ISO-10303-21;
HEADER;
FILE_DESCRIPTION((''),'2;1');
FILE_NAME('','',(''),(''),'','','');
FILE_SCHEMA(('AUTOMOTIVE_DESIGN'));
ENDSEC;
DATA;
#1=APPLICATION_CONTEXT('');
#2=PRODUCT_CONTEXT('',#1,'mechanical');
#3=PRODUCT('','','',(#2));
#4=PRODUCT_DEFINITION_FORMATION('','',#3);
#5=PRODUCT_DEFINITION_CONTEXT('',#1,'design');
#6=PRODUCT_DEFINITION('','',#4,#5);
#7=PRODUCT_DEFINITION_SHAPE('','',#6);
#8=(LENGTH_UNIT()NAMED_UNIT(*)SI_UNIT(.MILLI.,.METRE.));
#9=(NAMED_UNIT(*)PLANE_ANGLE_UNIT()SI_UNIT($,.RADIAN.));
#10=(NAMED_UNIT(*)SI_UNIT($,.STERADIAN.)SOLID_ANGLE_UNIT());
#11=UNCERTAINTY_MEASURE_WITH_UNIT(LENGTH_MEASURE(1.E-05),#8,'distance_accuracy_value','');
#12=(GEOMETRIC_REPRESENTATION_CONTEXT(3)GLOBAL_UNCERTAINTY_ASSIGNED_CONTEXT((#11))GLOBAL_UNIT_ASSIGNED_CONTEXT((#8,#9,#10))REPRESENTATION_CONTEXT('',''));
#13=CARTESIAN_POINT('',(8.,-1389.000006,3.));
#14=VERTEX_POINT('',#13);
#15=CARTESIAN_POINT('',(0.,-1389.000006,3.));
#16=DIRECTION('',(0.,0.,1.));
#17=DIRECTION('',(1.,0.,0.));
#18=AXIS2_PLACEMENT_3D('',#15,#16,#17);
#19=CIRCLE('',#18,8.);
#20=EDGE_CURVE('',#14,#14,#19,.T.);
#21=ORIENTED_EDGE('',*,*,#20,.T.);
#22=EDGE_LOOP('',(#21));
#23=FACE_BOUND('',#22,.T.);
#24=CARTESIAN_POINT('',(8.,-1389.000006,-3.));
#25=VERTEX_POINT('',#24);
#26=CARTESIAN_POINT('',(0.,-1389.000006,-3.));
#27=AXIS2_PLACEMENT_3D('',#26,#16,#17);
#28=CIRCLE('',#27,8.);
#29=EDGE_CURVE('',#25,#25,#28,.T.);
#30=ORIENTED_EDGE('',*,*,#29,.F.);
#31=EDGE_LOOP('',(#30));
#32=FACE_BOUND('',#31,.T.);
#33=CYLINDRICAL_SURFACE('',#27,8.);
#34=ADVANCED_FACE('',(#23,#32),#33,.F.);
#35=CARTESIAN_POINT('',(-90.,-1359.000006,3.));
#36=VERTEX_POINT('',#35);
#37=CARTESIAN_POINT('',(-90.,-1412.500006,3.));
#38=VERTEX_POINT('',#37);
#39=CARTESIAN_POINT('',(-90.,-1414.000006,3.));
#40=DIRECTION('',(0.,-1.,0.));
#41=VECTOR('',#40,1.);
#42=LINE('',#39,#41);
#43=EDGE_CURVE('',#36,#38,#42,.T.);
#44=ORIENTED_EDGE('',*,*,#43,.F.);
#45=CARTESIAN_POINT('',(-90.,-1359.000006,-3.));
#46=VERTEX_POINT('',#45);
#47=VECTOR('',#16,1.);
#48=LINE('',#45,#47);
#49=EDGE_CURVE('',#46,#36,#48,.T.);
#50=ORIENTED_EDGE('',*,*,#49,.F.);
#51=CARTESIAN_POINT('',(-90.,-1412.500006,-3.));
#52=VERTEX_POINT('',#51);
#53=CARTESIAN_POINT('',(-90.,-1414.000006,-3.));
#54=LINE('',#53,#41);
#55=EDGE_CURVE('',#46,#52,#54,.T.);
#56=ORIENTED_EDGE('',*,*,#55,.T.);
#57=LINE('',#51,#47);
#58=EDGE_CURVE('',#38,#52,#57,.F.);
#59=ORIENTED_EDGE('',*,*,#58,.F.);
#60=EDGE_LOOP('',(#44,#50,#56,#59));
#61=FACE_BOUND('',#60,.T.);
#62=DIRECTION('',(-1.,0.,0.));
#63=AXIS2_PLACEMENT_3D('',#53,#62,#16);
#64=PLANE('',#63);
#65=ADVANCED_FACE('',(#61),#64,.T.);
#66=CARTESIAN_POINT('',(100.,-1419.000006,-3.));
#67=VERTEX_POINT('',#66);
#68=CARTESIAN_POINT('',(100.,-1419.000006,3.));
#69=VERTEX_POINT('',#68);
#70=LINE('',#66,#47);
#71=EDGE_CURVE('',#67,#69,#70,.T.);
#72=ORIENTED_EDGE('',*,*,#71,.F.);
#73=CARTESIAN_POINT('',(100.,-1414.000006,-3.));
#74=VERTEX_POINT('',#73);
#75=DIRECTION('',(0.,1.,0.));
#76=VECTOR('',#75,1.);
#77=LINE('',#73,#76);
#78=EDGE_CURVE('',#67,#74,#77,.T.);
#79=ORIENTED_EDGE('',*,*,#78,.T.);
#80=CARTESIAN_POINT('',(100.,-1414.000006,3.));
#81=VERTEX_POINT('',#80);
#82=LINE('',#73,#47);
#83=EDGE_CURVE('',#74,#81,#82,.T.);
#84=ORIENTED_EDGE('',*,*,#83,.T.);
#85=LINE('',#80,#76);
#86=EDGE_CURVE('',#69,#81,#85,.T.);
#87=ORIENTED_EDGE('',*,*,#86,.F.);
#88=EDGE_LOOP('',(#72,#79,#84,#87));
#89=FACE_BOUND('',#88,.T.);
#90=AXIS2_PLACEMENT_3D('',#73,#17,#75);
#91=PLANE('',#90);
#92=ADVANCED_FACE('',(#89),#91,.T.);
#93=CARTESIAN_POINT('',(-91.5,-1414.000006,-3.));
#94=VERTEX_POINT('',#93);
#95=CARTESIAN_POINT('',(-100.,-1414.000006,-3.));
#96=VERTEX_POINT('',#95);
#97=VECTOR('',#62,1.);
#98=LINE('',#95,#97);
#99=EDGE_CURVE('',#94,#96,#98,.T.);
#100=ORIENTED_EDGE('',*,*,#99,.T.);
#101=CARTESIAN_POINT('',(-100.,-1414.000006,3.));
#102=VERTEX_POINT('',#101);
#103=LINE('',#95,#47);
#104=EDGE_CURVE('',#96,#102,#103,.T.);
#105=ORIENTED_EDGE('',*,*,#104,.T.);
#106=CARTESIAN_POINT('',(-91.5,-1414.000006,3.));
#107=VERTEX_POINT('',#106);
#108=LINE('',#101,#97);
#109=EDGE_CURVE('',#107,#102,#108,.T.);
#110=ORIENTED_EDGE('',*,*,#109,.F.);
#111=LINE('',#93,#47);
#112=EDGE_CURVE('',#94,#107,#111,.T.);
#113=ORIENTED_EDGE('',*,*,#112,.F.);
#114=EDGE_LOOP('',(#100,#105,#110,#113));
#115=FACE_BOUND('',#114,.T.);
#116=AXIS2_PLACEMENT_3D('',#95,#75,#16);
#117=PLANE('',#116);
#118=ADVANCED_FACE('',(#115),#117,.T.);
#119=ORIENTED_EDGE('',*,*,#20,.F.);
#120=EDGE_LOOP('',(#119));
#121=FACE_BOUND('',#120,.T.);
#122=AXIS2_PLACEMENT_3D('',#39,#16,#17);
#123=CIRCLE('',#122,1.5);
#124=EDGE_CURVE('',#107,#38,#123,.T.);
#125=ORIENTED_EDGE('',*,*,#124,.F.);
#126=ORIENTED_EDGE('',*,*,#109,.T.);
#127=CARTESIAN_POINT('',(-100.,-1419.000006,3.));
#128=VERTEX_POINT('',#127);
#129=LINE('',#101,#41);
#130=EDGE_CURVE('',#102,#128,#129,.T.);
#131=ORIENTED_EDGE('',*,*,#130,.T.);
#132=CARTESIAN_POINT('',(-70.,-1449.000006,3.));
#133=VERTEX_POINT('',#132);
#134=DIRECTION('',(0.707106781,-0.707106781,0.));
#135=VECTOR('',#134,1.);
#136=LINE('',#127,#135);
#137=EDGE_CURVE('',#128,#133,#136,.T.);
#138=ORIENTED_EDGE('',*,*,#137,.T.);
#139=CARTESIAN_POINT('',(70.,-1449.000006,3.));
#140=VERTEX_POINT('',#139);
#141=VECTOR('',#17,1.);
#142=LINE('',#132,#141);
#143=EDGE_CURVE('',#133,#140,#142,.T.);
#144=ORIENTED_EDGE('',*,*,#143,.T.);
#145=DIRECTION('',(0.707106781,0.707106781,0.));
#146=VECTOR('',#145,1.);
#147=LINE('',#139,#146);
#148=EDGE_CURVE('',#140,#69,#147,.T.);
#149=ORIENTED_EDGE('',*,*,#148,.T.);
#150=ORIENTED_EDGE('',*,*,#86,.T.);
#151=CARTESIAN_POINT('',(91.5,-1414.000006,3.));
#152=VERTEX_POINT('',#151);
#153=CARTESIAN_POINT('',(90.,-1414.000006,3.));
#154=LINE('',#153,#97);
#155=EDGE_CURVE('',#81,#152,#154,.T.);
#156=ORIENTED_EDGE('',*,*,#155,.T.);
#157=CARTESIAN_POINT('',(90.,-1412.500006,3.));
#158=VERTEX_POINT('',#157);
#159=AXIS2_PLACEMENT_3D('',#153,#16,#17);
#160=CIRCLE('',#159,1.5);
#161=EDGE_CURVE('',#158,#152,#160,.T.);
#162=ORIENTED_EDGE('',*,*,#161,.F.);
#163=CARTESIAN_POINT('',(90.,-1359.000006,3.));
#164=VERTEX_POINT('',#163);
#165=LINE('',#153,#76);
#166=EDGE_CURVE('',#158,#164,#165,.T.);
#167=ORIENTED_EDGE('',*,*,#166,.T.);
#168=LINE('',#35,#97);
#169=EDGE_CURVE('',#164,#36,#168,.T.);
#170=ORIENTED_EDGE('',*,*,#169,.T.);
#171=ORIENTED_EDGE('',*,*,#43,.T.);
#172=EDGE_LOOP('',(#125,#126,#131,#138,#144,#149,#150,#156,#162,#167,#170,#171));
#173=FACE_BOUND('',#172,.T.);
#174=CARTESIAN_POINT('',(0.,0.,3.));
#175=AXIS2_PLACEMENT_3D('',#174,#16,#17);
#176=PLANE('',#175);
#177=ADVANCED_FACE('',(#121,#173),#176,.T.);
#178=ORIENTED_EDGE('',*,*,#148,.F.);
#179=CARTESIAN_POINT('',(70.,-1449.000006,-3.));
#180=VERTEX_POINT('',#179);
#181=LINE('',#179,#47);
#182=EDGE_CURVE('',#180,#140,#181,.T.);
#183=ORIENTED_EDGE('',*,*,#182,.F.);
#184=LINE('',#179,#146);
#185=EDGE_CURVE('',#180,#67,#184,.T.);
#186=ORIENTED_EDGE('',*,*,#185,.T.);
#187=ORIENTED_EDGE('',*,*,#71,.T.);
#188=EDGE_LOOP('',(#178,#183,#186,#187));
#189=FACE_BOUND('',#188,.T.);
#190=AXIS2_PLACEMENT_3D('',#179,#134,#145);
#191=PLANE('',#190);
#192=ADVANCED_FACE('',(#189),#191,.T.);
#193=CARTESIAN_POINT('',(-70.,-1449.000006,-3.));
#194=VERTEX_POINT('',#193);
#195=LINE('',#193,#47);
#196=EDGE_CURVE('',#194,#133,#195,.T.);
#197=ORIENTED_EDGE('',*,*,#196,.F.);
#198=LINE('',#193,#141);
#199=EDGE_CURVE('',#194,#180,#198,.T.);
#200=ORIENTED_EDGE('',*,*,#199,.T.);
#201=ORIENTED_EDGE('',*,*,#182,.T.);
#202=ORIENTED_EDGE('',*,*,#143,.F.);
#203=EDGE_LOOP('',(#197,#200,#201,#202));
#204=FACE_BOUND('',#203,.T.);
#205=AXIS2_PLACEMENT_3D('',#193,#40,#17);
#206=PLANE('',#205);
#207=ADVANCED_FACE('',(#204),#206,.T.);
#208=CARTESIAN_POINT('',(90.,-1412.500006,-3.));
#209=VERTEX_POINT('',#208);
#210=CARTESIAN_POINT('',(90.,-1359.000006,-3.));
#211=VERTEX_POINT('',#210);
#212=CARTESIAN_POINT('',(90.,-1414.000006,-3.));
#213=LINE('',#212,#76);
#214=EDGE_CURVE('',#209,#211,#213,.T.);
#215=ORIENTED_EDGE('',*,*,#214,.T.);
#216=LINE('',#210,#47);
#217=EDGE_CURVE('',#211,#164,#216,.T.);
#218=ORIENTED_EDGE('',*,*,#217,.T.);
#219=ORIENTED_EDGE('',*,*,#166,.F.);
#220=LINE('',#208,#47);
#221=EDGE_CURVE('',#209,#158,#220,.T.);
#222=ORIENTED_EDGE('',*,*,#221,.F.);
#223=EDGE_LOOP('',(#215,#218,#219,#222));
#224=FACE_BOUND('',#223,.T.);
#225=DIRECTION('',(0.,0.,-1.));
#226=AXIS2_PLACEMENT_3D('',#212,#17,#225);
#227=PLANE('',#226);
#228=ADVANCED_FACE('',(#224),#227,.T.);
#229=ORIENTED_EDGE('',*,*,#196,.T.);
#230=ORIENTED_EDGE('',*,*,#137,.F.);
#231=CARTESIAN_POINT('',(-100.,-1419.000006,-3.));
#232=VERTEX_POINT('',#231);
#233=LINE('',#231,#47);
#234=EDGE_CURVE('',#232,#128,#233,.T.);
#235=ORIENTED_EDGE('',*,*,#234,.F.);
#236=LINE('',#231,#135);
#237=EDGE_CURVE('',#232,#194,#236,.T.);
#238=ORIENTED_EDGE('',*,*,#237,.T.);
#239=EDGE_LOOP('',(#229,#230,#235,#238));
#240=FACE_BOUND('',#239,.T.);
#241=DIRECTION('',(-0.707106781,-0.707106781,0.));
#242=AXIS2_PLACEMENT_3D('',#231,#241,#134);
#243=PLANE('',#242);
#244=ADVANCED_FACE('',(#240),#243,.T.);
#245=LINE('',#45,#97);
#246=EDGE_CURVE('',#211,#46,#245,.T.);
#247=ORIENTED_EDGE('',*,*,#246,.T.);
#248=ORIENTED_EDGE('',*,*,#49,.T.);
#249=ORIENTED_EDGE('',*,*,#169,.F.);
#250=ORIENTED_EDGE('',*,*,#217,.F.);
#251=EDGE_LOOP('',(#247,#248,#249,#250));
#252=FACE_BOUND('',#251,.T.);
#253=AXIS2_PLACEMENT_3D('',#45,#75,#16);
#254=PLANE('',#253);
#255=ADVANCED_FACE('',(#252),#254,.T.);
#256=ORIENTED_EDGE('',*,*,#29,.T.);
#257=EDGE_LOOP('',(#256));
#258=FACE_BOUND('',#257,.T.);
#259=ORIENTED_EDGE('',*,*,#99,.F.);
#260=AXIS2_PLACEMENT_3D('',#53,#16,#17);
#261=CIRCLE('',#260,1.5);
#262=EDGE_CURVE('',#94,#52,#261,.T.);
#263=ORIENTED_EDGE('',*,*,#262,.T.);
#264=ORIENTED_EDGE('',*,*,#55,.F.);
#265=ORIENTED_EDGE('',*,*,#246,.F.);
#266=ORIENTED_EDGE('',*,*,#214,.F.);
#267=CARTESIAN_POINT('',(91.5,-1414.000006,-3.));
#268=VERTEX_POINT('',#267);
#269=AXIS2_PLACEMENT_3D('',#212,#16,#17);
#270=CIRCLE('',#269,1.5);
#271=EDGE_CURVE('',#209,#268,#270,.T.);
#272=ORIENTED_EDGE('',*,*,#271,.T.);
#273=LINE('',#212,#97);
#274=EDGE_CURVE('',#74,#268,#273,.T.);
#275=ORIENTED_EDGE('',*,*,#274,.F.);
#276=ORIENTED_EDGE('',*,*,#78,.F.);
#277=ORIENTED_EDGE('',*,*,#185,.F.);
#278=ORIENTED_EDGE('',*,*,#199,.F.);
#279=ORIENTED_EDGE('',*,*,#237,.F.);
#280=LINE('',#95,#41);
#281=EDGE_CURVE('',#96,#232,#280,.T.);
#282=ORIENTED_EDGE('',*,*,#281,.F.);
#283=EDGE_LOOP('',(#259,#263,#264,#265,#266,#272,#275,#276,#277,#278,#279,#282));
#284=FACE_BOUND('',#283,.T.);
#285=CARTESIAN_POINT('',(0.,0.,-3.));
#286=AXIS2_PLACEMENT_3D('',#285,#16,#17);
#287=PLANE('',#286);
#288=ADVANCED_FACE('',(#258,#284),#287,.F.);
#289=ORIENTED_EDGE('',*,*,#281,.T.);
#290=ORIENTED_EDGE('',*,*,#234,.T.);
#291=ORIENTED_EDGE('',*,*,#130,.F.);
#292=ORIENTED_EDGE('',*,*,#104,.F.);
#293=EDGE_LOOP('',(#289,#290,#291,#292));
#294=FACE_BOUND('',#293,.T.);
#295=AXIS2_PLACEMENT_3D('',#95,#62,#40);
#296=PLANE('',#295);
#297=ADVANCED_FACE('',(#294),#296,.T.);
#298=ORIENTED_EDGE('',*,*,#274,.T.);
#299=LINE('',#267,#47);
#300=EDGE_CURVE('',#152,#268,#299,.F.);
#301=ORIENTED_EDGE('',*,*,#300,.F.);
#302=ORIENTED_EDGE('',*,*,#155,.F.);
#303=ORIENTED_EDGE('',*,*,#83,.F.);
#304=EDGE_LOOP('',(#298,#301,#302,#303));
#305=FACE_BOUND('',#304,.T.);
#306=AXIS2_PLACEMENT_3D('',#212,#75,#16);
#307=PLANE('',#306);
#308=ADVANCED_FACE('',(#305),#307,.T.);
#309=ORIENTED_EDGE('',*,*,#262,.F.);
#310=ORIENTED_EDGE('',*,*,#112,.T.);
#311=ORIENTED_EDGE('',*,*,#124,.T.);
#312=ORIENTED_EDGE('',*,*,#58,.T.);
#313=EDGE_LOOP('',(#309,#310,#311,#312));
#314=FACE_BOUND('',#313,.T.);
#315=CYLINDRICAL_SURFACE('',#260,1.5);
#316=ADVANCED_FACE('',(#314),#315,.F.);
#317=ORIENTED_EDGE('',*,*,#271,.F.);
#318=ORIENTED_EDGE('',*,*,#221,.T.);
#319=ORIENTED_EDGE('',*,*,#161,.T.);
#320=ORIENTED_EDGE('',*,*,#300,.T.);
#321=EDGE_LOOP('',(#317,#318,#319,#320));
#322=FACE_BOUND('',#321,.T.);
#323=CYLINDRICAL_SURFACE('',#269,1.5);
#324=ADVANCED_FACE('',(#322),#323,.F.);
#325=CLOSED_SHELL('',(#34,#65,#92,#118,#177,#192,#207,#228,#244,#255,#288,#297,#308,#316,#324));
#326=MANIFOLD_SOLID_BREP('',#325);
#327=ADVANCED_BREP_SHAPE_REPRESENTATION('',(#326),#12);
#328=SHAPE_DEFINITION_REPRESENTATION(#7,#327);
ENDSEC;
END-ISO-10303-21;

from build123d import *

# Parameters (mm, degrees)
BOSS_EXTRUDE1_DEPTH      = 3
BOSS_EXTRUDE1_DEPTH_BACK = 3
SKETCH2_R                = 8
CUT_EXTRUDE1_DEPTH       = 1
CUT_EXTRUDE1_DEPTH_BACK  = 7
SKETCH3_R                = 1.5
CUT_EXTRUDE2_DEPTH       = 1
CUT_EXTRUDE2_DEPTH_BACK  = 7


with BuildPart() as part:
    # Sketch1 → Boss-Extrude1 (new body, two sides)
    with BuildSketch(Plane.XY) as boss_extrude1_sk:
        Polygon((-90, -1414.000005922), (-90, -1359.000005922), (90, -1359.000005922), (90, -1414.000005922), (100, -1414.000005922), (100, -1419.000005922), (70, -1449.000005922), (-70, -1449.000005922), (-100, -1419.000005922), (-100, -1414.000005922), align=None)
    extrude(amount=BOSS_EXTRUDE1_DEPTH)
    extrude(boss_extrude1_sk.sketch, amount=-BOSS_EXTRUDE1_DEPTH_BACK)

    # Sketch2 → Cut-Extrude1 (cut, two sides)
    with BuildSketch(Plane.XY.offset(3)) as cut_extrude1_sk:
        with Locations((0, -1389.000005922)):
            Circle(SKETCH2_R)
    extrude(amount=CUT_EXTRUDE1_DEPTH, mode=Mode.SUBTRACT)
    extrude(cut_extrude1_sk.sketch, amount=-CUT_EXTRUDE1_DEPTH_BACK, mode=Mode.SUBTRACT)

    # Sketch3 → Cut-Extrude2 (cut, two sides)
    with BuildSketch(Plane.XY.offset(3)) as cut_extrude2_sk:
        with Locations((-90, -1414.000005922)):
            Circle(SKETCH3_R)
        with Locations((90, -1414.000005922)):
            Circle(SKETCH3_R)
    extrude(amount=CUT_EXTRUDE2_DEPTH, mode=Mode.SUBTRACT)
    extrude(cut_extrude2_sk.sketch, amount=-CUT_EXTRUDE2_DEPTH_BACK, mode=Mode.SUBTRACT)


solid = part.part
